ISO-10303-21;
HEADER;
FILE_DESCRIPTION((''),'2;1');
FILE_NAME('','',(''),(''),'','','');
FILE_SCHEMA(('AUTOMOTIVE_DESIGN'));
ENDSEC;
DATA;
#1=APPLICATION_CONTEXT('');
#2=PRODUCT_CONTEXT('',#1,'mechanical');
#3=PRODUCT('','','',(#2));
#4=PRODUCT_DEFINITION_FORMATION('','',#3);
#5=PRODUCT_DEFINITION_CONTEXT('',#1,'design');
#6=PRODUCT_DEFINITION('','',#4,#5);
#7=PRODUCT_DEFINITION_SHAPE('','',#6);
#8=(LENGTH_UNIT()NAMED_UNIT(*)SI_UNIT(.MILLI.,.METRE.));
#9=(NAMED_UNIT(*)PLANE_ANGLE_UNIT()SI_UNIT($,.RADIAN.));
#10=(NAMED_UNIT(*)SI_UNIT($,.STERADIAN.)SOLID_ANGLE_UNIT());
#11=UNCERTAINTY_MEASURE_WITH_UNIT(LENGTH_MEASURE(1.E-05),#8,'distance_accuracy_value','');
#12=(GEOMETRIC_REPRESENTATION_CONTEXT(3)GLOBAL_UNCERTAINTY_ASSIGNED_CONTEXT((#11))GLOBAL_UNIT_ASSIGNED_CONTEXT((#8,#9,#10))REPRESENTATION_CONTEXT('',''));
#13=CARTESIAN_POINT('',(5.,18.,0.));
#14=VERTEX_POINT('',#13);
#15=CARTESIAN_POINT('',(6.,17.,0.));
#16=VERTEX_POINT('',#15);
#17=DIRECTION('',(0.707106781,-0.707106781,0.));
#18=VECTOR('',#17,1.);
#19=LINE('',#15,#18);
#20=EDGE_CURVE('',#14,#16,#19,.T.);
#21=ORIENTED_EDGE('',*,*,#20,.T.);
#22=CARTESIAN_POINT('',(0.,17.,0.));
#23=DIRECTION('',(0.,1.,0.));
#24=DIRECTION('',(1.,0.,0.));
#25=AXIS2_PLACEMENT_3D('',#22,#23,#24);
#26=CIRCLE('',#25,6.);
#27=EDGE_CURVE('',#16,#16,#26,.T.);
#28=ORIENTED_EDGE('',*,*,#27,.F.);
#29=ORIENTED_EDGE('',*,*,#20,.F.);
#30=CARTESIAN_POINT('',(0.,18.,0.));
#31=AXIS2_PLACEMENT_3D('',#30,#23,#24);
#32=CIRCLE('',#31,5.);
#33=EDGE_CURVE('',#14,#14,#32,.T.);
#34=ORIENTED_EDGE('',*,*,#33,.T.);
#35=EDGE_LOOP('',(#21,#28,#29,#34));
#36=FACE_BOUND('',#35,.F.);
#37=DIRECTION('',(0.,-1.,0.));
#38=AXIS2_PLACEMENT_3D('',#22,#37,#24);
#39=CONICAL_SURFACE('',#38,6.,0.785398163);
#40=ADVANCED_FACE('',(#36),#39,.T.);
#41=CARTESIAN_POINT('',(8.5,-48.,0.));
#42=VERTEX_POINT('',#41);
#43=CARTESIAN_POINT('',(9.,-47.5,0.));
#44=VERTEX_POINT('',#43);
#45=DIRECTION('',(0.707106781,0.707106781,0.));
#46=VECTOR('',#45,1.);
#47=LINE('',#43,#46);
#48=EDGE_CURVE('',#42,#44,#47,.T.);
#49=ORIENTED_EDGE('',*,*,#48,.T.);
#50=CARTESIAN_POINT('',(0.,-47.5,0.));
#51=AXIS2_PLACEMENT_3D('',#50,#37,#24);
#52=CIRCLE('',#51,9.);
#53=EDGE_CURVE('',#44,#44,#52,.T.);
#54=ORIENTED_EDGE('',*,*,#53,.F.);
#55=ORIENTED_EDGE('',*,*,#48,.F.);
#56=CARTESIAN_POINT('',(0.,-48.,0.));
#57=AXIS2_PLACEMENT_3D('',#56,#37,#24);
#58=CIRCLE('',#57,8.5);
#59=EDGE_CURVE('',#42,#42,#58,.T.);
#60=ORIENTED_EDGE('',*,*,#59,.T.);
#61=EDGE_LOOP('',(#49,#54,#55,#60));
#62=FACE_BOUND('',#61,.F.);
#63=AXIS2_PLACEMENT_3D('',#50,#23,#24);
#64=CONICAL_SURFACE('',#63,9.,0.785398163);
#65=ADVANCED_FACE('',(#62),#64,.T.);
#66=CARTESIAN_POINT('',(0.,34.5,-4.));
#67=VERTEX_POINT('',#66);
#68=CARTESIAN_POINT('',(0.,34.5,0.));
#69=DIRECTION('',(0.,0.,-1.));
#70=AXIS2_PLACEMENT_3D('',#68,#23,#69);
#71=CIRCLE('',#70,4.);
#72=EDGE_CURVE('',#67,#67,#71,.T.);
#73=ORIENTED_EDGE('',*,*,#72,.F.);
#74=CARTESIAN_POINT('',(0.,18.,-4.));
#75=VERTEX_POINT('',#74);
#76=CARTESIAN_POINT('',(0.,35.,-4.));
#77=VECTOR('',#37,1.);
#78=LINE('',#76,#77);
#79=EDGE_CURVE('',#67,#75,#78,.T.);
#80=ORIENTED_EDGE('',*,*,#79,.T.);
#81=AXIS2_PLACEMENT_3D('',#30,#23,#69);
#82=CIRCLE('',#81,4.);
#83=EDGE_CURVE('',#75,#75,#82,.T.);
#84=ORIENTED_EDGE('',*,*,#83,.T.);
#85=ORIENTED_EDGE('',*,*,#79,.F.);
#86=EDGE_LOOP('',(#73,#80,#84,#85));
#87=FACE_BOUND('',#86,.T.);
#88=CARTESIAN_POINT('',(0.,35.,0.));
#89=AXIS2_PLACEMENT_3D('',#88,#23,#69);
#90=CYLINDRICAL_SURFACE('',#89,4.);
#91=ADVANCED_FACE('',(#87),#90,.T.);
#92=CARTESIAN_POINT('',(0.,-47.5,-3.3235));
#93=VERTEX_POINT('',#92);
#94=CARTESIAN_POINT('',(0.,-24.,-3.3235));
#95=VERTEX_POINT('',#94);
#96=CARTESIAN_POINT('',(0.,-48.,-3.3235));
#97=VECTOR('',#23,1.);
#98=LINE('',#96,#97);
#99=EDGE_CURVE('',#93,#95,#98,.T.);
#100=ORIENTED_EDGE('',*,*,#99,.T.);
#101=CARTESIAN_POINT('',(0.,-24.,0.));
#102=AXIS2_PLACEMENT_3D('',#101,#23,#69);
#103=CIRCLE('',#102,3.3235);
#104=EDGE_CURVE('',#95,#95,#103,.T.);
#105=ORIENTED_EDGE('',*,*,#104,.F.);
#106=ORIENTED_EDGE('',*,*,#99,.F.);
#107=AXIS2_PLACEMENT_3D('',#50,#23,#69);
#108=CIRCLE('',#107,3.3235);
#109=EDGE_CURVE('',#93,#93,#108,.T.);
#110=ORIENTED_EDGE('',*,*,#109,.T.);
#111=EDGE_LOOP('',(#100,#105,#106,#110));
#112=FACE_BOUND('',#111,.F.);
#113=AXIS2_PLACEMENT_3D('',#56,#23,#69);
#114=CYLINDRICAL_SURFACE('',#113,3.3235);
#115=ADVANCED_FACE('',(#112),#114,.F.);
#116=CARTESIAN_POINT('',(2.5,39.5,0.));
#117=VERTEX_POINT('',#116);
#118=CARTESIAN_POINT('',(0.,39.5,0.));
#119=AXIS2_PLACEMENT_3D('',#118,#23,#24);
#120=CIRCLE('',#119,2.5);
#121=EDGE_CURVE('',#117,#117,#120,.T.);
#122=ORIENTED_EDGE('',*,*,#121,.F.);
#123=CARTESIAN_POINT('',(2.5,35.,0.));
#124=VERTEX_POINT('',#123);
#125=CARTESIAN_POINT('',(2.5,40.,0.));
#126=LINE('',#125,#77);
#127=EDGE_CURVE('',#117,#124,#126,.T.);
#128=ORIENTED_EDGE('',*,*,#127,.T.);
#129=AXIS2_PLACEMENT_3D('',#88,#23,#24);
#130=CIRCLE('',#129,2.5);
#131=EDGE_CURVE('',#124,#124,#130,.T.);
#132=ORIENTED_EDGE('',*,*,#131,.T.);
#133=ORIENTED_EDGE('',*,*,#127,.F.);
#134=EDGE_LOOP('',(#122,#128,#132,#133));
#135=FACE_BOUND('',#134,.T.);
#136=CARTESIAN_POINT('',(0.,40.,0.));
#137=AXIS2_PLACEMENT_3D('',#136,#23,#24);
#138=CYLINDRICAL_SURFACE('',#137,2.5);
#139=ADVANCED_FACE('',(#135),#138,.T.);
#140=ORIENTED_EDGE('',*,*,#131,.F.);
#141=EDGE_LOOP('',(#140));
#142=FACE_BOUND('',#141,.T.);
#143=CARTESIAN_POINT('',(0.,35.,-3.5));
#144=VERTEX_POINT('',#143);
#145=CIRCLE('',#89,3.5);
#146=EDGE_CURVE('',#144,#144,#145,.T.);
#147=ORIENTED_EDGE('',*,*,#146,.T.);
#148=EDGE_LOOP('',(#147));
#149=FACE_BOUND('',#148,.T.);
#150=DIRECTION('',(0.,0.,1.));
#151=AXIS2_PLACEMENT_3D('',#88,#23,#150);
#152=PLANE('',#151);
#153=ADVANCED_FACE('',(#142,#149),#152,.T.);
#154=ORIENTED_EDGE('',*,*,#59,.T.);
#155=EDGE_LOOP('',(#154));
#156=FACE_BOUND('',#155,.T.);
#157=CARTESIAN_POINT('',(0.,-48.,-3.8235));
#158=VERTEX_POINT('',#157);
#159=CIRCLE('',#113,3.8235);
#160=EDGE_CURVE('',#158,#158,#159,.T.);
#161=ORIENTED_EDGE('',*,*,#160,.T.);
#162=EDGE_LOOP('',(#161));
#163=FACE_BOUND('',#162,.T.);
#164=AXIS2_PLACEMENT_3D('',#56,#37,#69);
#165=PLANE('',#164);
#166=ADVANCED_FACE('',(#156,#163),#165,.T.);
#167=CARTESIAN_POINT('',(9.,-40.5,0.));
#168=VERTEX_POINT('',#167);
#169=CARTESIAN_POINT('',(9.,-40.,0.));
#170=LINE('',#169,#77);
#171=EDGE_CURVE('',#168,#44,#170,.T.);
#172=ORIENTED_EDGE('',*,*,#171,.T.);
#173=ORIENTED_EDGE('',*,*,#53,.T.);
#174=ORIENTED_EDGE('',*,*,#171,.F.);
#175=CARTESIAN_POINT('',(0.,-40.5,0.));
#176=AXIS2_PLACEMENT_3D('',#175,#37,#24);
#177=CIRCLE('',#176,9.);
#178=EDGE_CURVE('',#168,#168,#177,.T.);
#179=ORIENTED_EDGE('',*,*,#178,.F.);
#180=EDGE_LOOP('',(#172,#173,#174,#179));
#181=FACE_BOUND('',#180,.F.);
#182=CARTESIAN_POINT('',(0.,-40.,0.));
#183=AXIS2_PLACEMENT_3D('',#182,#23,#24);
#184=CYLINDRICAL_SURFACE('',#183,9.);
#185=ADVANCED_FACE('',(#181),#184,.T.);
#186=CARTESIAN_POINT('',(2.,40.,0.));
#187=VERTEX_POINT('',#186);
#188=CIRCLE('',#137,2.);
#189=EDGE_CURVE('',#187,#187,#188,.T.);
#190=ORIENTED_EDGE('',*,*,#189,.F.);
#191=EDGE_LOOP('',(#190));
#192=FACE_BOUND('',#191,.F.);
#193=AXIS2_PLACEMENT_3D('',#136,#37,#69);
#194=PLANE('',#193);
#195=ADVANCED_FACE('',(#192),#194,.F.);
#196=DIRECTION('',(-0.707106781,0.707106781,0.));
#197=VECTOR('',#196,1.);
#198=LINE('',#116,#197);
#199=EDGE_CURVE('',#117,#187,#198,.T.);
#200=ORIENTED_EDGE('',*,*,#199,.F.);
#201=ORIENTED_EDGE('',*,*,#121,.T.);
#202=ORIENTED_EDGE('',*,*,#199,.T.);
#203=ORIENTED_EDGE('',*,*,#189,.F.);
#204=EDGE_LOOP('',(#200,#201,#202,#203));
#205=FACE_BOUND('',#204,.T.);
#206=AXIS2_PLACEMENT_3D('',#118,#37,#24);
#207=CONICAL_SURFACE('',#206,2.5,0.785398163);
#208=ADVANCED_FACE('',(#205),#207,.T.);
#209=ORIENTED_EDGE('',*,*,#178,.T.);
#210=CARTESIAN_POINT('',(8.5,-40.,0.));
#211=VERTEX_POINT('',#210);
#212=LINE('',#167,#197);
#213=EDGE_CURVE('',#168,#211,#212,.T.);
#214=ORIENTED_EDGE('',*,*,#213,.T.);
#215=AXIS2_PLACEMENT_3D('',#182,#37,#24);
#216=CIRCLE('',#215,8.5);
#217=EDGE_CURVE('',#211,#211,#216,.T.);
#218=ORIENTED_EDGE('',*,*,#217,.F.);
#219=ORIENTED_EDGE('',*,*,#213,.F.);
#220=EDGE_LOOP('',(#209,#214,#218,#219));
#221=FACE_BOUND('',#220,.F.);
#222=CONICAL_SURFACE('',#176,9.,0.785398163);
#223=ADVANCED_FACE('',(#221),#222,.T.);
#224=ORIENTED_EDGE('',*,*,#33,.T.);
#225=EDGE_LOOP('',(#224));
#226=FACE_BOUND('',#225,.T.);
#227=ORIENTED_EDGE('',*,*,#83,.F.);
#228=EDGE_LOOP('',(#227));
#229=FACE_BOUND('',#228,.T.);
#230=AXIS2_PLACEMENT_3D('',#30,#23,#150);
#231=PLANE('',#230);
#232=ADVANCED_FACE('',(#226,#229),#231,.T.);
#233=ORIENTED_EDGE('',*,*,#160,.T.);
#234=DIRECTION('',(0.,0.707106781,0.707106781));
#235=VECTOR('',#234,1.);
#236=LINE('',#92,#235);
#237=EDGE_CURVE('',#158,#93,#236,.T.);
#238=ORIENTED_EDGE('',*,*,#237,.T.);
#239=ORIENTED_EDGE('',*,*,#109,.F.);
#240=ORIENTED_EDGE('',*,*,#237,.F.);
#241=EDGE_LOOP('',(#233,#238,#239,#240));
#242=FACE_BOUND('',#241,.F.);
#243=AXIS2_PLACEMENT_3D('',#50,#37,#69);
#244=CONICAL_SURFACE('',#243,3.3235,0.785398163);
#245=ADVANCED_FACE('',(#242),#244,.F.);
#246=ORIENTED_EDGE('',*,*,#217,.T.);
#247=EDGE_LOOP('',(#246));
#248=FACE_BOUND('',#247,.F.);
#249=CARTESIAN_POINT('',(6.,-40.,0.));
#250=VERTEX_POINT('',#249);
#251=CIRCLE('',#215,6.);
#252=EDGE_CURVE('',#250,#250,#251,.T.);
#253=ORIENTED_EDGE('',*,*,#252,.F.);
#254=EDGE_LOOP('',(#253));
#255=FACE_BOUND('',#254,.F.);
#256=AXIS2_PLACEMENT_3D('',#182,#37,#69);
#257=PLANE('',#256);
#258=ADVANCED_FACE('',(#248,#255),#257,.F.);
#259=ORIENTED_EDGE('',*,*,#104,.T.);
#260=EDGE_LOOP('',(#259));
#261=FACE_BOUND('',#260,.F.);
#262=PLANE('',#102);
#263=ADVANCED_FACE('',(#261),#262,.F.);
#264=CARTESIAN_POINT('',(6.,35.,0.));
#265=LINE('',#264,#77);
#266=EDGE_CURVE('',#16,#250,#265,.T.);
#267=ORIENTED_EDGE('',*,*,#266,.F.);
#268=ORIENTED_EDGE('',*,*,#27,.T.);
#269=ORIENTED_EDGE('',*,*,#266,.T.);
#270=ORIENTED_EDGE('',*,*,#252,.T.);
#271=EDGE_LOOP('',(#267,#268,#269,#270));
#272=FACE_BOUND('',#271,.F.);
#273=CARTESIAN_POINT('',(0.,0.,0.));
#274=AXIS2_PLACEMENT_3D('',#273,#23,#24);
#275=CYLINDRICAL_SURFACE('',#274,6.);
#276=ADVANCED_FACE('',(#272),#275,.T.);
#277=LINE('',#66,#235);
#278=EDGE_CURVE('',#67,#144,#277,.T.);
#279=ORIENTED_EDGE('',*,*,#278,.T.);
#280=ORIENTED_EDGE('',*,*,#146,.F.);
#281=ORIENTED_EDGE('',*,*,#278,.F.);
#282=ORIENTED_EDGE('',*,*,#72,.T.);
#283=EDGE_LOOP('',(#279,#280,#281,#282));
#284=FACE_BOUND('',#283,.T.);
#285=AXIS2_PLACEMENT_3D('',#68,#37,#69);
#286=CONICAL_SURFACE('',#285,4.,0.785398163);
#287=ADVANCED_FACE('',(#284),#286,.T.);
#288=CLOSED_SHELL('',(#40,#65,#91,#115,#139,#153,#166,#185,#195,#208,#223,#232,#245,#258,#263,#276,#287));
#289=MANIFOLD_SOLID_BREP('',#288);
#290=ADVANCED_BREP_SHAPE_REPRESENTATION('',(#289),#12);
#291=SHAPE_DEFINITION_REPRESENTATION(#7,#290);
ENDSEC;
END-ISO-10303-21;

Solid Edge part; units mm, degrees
sketch "Sketch1" plane through (0, 0, 0) normal (0, -1, 0) x (1, 0, 0)
  circle A0 centre (0, 0) radius 6
  dimension "D1" = 12
extrude "Protrusion1" add sketch "Sketch1" along normal mid plane 80
sketch "Sketch2" plane through (0, -40, 0) normal (0, -1, 0) x (1, 0, 0)
  circle A0 centre (0, 0) radius 9
  dimension "D1" = 18
extrude "Ausprägung_2" add sketch "Sketch2" along normal blind 8
sketch "Sketch3" plane through (0, 40, 0) normal (0, 1, 0) x (1, 0, 0)
  circle A0 centre (0, 0) radius 2.5
  dimension "D1" = 5
extrude "Ausschnitt_1" cut sketch "Sketch3" against normal blind 5 flip side to cut
sketch "Sketch4" plane through (0, 35, 0) normal (0, 1, 0) x (0, 0, -1)
  circle A0 centre (0, 0) radius 4
  dimension "D1" = 8
extrude "Ausschnitt_2" cut sketch "Sketch4" against normal blind 17 flip side to cut
cosmetic_thread "Gewinde_1" size "M5" thread depth 4
chamfer "Fase_1" distance 0.5 angle 45 1 edges at (-2.5, 40, 0)
chamfer "Fase_2" distance 1 angle 45 1 edges at (0, 18, -6)
cosmetic_thread "Gewinde_2" size "M8" thread depth 15
chamfer "Fase_3" distance 0.5 angle 45 1 edges at (0, 35, 4)
hole "Bohrung_1" at (0, -48, 0) direction (0, 1, 0) diameter 6.647 depth 24 thread major 8 thread length 2
chamfer "Fase_4" distance 0.5 angle 45 1 edges at (0, -48, 3.3235)
chamfer "Fase_5" distance 0.5 angle 45 2 edges at (-9, -48, 0) (-9, -40, 0)
